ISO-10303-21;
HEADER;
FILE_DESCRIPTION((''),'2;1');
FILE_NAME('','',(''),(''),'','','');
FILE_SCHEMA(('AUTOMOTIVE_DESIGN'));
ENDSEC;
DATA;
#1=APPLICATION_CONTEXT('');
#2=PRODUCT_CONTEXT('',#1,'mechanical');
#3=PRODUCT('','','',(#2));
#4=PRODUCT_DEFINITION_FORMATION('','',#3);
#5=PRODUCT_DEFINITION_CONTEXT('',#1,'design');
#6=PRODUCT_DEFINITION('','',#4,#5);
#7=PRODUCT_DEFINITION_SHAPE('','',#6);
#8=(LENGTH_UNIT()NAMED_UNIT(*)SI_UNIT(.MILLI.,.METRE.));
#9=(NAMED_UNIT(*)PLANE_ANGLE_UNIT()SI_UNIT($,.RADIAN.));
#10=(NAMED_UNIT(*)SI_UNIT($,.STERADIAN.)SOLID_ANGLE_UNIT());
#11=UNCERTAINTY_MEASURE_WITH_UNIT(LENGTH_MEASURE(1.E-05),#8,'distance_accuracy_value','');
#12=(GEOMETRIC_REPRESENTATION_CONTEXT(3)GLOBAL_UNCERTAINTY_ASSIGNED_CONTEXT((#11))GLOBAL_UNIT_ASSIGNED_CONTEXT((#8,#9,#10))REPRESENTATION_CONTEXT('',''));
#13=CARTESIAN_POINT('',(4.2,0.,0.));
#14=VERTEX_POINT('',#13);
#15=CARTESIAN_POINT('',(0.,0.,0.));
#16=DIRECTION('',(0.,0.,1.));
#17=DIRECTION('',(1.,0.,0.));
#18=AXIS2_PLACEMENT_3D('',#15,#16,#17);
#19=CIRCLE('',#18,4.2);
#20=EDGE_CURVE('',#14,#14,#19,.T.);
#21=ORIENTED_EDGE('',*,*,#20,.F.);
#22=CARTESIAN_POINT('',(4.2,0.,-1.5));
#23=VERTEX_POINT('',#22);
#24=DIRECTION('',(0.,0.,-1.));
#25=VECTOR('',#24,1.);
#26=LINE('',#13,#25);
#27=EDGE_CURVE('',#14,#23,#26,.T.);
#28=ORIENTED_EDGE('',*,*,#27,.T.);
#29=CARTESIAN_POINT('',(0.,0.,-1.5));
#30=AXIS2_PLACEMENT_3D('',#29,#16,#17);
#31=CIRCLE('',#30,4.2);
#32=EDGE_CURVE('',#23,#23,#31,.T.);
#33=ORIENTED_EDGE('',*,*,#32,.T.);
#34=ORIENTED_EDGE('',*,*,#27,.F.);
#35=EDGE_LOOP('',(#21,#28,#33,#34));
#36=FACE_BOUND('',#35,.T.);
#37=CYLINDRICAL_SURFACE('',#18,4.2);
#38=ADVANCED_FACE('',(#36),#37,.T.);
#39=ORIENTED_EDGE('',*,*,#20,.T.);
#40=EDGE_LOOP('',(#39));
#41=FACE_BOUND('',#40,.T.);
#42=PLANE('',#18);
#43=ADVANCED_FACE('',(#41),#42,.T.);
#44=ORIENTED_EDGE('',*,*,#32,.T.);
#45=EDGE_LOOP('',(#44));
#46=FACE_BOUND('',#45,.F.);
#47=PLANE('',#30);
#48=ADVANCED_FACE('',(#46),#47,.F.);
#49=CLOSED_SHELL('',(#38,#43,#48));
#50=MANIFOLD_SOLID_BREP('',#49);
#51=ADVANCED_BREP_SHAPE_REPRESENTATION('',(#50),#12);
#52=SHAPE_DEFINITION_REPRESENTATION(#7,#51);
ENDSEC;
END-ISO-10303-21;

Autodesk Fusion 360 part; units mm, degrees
sketch "Sketch1" plane through (0, 0, 0) normal (0, 0, 1) x (1, 0, 0)
  circle A0 centre (0, 0) radius 3.95
  circle A1 centre (0, 0) radius 4.2
  dimension "d1" = 7.9
  dimension "d2" = 8.4
extrude "Extrude1" add sketch "Sketch1" against normal blind 1.5 contours A0 | A1
